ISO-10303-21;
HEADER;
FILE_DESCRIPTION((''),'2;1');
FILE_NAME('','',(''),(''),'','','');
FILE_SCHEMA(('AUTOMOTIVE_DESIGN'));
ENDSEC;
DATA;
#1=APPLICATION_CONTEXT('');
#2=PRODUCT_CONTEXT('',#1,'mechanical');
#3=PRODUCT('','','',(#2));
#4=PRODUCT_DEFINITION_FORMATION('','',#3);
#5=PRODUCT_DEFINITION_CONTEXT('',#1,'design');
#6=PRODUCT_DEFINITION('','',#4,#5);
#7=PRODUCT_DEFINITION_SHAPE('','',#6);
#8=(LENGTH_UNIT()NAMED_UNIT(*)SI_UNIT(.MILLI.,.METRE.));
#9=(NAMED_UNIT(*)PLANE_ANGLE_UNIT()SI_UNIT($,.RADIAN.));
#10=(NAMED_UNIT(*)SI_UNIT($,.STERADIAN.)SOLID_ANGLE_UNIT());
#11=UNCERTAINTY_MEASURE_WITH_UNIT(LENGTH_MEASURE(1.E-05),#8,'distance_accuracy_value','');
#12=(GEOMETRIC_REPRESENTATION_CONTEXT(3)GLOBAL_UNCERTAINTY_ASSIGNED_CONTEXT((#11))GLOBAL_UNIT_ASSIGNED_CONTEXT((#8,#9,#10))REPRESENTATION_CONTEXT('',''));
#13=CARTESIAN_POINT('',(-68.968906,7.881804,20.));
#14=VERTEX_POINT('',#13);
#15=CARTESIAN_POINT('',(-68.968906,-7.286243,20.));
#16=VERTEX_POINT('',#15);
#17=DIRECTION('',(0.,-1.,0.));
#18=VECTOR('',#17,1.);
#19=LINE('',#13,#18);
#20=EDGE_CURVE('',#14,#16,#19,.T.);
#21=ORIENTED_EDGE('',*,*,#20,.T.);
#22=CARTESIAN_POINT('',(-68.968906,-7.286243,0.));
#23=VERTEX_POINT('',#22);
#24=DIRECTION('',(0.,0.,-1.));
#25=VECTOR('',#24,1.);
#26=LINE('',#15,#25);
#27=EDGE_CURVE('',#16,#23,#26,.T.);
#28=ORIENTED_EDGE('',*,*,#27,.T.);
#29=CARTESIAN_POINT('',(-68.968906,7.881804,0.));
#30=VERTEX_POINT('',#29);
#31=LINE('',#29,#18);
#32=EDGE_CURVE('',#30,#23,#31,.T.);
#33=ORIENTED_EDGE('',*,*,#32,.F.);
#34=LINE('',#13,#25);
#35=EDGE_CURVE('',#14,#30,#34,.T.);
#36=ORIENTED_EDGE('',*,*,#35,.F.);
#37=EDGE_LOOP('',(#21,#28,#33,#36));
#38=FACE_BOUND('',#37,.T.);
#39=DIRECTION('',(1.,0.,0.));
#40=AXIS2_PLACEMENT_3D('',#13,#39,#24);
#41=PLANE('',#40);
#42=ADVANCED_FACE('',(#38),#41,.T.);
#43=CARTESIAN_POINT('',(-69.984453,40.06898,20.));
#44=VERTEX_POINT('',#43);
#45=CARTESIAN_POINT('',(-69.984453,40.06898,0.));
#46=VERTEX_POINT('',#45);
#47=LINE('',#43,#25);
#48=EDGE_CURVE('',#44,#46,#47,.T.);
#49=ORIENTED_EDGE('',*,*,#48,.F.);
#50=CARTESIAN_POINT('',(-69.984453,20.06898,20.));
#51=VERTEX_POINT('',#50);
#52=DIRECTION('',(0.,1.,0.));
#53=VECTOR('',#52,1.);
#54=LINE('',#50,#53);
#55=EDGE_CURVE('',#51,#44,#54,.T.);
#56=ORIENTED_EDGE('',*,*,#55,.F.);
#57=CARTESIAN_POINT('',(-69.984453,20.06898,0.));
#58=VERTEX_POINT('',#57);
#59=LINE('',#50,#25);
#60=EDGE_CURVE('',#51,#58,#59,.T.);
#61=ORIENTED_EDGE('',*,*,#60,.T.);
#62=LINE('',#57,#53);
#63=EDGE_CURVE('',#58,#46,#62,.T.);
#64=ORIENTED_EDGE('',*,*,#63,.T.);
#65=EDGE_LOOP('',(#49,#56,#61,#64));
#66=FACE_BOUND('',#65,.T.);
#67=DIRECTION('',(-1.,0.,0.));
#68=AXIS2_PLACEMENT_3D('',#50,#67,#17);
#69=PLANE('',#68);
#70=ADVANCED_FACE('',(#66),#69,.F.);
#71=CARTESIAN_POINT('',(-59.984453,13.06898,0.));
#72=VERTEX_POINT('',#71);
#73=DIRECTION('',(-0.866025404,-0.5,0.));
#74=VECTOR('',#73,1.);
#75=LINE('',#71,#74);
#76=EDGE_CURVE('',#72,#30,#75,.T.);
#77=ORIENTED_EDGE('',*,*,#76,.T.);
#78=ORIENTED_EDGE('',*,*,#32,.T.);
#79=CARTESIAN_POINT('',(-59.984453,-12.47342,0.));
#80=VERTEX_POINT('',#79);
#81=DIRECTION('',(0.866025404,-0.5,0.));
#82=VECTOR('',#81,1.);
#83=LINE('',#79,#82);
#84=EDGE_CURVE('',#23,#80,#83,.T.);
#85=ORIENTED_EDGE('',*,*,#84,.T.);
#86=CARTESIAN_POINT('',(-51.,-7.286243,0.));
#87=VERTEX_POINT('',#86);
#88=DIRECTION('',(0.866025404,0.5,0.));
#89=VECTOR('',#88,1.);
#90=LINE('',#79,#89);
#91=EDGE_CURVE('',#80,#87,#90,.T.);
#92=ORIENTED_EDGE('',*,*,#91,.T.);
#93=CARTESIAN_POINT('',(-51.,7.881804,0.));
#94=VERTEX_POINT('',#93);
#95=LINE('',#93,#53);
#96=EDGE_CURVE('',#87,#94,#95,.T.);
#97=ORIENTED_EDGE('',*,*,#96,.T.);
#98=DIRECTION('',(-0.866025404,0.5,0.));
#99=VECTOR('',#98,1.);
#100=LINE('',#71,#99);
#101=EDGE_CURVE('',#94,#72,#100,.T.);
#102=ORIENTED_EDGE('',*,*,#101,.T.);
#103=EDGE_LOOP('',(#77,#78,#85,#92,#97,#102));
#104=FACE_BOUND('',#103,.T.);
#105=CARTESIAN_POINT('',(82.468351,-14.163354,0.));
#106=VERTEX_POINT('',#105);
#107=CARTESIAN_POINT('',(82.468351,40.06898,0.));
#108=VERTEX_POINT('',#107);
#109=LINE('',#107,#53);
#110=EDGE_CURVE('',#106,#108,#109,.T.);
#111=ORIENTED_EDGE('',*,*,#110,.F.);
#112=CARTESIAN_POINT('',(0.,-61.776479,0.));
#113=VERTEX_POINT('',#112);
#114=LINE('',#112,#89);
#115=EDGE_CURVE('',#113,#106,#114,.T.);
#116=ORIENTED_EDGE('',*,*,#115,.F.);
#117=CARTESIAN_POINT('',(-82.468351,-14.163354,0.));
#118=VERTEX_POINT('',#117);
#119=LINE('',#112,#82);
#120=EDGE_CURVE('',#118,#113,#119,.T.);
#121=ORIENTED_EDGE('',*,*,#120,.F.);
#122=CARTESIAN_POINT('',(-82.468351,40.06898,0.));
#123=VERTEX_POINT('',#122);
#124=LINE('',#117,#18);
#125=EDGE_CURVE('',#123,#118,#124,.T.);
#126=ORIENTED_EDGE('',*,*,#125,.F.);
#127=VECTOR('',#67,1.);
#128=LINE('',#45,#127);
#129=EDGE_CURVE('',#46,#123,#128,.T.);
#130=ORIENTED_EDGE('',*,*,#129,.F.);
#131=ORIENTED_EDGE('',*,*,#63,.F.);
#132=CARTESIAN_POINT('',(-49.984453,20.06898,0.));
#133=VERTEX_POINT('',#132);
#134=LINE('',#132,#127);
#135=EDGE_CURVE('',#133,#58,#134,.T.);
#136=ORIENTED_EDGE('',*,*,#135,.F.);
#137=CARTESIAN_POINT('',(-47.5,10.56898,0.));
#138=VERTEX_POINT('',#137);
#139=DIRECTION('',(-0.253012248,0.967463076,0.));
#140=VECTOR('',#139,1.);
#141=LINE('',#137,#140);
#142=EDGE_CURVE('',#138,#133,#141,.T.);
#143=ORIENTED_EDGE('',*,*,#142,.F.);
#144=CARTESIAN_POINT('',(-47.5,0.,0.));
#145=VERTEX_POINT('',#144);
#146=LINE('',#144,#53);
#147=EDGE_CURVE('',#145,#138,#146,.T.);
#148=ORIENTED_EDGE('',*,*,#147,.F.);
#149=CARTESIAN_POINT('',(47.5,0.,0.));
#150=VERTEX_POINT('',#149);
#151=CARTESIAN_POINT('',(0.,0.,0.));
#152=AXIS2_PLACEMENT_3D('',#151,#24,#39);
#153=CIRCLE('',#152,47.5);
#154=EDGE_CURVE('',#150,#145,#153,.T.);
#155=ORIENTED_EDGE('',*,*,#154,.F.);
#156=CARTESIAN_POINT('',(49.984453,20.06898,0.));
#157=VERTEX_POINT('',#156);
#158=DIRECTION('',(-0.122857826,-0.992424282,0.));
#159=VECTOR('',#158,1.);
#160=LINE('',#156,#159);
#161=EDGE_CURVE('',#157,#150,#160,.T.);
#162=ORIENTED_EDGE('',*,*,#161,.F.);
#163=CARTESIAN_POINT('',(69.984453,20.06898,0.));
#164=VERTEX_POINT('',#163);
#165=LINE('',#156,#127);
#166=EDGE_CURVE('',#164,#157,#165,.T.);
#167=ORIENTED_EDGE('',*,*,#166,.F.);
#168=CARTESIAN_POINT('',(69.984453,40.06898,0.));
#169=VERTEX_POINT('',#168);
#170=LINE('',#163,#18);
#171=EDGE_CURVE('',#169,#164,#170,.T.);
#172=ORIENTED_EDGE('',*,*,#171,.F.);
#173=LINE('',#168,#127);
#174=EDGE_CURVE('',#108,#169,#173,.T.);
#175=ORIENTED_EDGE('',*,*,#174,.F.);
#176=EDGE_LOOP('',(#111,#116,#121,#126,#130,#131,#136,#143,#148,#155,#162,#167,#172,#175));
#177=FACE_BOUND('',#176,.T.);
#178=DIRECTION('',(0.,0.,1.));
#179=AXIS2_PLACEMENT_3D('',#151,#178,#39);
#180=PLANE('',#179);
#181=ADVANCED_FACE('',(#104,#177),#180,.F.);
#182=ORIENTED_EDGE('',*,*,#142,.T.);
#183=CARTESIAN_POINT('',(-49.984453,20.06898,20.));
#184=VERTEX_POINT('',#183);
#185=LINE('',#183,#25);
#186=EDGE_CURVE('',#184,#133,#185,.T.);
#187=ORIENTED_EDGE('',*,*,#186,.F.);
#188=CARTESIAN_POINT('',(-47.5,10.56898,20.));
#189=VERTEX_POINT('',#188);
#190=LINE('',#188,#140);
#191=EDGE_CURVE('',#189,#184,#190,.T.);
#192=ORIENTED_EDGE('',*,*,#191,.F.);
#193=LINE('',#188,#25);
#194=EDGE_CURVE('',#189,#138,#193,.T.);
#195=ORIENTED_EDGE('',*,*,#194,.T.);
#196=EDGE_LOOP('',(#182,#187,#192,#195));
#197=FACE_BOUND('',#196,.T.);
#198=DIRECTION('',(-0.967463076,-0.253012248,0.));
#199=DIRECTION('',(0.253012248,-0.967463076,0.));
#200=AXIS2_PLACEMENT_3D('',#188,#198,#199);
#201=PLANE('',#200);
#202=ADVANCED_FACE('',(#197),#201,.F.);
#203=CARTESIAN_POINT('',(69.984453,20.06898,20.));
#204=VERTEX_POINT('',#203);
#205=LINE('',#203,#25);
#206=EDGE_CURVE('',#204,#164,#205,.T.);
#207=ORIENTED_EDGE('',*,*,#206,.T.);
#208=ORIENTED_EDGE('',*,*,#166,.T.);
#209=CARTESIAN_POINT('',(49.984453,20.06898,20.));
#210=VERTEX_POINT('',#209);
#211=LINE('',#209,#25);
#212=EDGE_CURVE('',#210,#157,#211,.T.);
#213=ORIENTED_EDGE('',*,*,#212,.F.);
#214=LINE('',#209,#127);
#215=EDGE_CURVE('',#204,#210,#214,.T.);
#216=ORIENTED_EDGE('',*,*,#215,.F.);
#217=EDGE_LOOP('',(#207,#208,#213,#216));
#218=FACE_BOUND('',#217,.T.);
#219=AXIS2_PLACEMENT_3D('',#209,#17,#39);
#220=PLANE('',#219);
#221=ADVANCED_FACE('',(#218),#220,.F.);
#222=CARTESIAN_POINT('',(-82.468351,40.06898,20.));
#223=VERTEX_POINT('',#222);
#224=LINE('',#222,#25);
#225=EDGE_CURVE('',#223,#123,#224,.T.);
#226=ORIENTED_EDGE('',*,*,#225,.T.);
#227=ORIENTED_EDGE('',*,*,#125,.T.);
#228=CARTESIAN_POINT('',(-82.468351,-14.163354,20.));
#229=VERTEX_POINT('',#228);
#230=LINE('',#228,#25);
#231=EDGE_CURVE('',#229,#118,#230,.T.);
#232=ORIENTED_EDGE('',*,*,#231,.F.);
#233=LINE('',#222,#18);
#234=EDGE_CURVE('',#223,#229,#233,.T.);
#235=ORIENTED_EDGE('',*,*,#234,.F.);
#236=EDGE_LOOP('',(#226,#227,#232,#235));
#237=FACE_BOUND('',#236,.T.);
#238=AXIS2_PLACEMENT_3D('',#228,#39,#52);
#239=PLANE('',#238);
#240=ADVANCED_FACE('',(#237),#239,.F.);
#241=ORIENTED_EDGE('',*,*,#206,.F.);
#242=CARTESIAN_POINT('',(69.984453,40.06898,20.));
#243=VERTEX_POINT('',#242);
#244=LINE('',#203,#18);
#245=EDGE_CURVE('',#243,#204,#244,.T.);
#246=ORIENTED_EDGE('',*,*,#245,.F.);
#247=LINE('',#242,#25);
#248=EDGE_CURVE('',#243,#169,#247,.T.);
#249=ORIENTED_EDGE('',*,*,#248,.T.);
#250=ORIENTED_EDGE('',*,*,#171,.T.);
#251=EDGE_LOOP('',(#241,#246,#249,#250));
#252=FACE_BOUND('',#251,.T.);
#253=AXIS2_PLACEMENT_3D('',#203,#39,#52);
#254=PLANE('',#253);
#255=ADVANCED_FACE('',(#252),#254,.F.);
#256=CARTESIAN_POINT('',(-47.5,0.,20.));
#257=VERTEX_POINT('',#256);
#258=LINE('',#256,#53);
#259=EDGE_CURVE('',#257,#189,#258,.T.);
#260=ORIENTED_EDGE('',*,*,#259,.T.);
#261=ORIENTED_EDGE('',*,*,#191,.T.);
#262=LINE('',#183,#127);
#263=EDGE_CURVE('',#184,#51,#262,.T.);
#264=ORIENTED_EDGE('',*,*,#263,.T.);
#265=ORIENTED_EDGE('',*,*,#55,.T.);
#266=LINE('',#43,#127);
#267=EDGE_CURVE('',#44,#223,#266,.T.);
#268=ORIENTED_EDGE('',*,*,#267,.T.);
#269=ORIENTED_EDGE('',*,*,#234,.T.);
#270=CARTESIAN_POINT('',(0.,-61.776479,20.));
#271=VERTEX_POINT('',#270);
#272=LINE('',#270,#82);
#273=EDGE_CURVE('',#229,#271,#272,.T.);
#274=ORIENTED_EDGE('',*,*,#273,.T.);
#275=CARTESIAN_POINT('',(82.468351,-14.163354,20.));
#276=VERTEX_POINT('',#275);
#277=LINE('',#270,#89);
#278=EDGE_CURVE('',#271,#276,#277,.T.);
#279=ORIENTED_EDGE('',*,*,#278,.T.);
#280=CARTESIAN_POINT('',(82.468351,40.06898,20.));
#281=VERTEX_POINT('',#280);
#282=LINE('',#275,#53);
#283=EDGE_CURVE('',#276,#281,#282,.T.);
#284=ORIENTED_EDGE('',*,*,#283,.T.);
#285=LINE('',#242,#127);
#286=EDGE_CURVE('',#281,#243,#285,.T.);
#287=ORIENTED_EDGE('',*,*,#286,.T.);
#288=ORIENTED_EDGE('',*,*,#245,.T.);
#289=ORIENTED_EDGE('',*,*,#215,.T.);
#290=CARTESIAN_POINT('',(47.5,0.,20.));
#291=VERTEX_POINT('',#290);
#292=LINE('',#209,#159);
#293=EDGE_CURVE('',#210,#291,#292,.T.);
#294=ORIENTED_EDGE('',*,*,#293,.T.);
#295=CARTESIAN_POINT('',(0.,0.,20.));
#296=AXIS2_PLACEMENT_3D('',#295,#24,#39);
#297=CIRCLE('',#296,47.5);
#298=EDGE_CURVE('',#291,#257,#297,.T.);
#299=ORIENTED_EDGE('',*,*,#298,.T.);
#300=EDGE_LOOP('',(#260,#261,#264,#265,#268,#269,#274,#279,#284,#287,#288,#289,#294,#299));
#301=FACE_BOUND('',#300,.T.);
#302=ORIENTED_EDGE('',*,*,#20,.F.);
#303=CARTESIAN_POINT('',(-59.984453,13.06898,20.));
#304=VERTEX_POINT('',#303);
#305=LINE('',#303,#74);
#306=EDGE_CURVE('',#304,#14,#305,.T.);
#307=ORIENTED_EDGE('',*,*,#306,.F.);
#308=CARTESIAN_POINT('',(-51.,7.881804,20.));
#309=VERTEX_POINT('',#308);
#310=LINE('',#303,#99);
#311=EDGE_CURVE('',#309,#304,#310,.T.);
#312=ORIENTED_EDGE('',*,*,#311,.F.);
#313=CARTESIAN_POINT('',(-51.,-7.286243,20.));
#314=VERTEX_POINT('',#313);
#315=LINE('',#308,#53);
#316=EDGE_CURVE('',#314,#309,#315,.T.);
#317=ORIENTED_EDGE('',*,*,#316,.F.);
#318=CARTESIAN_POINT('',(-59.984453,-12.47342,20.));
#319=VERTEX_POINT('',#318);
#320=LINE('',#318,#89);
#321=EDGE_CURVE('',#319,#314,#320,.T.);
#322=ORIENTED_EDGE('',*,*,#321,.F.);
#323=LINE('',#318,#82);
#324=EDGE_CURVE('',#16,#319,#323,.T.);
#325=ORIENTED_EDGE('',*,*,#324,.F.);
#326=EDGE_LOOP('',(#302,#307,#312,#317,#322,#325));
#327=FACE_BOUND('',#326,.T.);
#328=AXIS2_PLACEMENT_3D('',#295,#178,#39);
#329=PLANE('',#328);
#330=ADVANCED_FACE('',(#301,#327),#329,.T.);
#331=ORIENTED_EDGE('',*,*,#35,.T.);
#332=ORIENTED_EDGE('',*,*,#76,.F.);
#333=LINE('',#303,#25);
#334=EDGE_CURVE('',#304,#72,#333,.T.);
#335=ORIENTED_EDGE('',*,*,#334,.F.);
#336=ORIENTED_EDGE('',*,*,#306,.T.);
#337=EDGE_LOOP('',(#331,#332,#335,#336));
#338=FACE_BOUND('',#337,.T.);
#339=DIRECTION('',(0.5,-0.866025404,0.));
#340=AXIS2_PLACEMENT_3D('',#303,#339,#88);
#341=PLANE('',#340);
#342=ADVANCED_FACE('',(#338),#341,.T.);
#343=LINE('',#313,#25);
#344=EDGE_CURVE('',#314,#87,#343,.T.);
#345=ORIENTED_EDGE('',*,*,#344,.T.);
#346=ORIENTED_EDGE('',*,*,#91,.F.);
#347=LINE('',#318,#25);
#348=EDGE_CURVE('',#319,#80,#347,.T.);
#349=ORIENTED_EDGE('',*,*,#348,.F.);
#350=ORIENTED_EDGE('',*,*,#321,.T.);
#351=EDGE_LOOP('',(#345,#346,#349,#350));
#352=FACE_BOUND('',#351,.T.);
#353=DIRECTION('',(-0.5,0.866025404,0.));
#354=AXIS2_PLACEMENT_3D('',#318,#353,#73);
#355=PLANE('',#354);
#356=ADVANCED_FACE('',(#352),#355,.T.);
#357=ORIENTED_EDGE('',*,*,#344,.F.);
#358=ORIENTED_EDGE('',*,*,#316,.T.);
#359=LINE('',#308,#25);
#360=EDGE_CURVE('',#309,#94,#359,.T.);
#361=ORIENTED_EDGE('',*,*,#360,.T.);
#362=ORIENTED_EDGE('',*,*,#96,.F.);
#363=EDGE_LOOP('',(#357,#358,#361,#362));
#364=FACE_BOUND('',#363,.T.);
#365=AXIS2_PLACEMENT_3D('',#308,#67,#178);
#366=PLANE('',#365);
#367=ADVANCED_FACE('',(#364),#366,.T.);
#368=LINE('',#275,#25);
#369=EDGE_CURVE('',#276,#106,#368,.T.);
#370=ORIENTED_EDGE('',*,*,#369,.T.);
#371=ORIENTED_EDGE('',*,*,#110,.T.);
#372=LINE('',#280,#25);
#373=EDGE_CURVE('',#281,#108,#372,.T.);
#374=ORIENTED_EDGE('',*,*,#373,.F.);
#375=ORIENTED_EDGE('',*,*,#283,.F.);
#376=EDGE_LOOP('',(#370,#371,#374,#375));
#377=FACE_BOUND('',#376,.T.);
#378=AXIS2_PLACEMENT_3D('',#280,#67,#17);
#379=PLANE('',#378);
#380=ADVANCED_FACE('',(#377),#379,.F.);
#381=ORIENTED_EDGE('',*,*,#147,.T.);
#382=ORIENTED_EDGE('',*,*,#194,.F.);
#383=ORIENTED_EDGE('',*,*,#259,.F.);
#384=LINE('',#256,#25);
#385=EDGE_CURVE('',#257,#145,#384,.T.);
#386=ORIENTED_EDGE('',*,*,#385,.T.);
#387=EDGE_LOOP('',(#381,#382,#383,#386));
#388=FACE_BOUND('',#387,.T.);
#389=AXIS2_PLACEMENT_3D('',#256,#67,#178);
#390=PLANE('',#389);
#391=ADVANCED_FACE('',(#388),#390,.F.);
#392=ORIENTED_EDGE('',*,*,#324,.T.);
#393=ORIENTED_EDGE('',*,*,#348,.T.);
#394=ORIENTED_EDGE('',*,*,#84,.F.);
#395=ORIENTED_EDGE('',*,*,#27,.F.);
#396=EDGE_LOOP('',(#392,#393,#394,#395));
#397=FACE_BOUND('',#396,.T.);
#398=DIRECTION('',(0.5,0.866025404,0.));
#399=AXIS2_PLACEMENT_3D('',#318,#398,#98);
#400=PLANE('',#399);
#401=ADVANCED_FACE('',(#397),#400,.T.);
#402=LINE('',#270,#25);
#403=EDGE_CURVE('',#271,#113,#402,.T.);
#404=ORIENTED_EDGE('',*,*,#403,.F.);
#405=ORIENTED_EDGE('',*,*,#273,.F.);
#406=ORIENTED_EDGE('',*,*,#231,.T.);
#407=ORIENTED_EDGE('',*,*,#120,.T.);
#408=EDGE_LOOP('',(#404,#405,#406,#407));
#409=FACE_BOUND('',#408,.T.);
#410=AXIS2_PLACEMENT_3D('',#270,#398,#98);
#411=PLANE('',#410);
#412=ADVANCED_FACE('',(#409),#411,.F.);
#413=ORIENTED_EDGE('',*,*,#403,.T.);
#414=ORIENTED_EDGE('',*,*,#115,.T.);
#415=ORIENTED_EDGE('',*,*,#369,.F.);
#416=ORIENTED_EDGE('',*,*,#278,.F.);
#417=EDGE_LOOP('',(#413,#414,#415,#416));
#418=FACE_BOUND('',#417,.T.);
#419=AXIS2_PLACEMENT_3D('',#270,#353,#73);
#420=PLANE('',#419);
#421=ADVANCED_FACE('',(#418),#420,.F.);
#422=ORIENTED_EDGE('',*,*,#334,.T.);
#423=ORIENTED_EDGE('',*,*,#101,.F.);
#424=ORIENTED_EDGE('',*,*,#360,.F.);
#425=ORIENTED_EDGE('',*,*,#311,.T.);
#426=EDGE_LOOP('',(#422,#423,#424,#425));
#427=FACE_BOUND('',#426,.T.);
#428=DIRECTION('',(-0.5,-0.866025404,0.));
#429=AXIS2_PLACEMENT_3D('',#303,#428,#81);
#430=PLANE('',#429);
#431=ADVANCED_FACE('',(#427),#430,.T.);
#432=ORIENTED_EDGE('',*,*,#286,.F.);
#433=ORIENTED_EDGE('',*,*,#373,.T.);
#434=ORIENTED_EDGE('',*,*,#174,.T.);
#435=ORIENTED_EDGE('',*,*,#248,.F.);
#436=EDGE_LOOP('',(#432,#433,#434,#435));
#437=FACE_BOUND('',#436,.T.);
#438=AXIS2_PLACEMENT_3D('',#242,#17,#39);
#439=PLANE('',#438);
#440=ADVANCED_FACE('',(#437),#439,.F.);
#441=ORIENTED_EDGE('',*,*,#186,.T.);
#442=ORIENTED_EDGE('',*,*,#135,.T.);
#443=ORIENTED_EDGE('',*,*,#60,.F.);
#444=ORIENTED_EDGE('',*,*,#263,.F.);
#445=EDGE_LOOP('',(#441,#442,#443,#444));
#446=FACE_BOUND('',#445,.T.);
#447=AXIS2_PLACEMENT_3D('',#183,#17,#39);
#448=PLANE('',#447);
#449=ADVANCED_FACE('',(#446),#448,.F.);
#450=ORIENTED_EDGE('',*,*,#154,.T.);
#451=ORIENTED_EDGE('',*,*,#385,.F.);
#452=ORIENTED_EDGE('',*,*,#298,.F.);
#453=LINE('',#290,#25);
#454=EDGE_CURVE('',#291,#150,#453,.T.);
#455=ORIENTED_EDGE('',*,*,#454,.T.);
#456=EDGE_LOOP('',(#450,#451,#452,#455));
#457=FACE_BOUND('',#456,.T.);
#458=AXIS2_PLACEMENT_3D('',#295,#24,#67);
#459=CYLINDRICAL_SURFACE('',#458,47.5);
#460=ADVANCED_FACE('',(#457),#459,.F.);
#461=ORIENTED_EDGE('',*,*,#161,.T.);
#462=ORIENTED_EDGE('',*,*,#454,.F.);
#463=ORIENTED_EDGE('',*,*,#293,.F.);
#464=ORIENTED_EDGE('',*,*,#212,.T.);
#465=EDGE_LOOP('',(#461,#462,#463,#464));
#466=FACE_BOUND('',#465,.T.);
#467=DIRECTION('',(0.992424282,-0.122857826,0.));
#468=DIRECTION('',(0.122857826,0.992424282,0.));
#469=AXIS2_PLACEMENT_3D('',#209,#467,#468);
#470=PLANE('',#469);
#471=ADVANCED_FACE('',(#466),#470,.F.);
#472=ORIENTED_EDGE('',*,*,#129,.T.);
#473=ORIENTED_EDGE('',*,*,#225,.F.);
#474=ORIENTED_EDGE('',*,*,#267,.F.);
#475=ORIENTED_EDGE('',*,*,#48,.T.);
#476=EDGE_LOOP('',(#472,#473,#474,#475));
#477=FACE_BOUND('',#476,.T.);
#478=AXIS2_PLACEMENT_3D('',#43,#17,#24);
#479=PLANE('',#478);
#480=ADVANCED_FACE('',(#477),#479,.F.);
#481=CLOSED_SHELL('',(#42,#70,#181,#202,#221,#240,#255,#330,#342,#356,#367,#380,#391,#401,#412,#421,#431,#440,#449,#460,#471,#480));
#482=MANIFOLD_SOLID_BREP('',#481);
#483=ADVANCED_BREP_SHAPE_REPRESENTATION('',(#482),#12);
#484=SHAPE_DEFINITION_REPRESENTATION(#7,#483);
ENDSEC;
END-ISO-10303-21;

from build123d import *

# Parameters (mm, degrees)
AUFSATZ_LINEAR_AUSTRAGEN1_DEPTH = 20


with BuildPart() as part:
    # Skizze1 → Aufsatz-Linear austragen1 (new body)
    with BuildSketch(Plane.XY):
        with BuildLine():
            Line((-49.984452808, 20.068980322), (-69.984452808, 20.068980322))
            Line((-69.984452808, 20.068980322), (-69.984452808, 40.068980322))
            Line((-69.984452808, 40.068980322), (-82.468350795, 40.068980322))
            Line((-82.468350795, 40.068980322), (-82.468350795, -2.937308237))
            Line((-82.468350795, -2.937308237), (-82.468350795, -14.163354272))
            Line((-82.468350795, -14.163354272), (0, -61.776478803))
            Line((0, -61.776478803), (82.468350795, -14.163354272))
            Line((82.468350795, -14.163354272), (82.468350795, -2.937308237))
            Line((82.468350795, -2.937308237), (82.468350795, 40.068980322))
            Line((82.468350795, 40.068980322), (69.984452808, 40.068980322))
            Line((69.984452808, 40.068980322), (69.984452808, 20.068980322))
            Line((69.984452808, 20.068980322), (49.984452808, 20.068980322))
            Line((49.984452808, 20.068980322), (47.5, 0))
            ThreePointArc((47.5, 0), (0, -47.5), (-47.5, 0))
            Line((-47.5, 0), (-47.5, 10.568980322))
            Line((-47.5, 10.568980322), (-49.984452808, 20.068980322))
        make_face()
        Polygon((-59.984452808, 13.068980322), (-51, 7.881804075), (-51, -7.286243364), (-59.984452808, -12.47341961), (-68.968905615, -7.286243364), (-68.968905615, 7.881804075), align=None, mode=Mode.SUBTRACT)
    extrude(amount=AUFSATZ_LINEAR_AUSTRAGEN1_DEPTH)


solid = part.part
